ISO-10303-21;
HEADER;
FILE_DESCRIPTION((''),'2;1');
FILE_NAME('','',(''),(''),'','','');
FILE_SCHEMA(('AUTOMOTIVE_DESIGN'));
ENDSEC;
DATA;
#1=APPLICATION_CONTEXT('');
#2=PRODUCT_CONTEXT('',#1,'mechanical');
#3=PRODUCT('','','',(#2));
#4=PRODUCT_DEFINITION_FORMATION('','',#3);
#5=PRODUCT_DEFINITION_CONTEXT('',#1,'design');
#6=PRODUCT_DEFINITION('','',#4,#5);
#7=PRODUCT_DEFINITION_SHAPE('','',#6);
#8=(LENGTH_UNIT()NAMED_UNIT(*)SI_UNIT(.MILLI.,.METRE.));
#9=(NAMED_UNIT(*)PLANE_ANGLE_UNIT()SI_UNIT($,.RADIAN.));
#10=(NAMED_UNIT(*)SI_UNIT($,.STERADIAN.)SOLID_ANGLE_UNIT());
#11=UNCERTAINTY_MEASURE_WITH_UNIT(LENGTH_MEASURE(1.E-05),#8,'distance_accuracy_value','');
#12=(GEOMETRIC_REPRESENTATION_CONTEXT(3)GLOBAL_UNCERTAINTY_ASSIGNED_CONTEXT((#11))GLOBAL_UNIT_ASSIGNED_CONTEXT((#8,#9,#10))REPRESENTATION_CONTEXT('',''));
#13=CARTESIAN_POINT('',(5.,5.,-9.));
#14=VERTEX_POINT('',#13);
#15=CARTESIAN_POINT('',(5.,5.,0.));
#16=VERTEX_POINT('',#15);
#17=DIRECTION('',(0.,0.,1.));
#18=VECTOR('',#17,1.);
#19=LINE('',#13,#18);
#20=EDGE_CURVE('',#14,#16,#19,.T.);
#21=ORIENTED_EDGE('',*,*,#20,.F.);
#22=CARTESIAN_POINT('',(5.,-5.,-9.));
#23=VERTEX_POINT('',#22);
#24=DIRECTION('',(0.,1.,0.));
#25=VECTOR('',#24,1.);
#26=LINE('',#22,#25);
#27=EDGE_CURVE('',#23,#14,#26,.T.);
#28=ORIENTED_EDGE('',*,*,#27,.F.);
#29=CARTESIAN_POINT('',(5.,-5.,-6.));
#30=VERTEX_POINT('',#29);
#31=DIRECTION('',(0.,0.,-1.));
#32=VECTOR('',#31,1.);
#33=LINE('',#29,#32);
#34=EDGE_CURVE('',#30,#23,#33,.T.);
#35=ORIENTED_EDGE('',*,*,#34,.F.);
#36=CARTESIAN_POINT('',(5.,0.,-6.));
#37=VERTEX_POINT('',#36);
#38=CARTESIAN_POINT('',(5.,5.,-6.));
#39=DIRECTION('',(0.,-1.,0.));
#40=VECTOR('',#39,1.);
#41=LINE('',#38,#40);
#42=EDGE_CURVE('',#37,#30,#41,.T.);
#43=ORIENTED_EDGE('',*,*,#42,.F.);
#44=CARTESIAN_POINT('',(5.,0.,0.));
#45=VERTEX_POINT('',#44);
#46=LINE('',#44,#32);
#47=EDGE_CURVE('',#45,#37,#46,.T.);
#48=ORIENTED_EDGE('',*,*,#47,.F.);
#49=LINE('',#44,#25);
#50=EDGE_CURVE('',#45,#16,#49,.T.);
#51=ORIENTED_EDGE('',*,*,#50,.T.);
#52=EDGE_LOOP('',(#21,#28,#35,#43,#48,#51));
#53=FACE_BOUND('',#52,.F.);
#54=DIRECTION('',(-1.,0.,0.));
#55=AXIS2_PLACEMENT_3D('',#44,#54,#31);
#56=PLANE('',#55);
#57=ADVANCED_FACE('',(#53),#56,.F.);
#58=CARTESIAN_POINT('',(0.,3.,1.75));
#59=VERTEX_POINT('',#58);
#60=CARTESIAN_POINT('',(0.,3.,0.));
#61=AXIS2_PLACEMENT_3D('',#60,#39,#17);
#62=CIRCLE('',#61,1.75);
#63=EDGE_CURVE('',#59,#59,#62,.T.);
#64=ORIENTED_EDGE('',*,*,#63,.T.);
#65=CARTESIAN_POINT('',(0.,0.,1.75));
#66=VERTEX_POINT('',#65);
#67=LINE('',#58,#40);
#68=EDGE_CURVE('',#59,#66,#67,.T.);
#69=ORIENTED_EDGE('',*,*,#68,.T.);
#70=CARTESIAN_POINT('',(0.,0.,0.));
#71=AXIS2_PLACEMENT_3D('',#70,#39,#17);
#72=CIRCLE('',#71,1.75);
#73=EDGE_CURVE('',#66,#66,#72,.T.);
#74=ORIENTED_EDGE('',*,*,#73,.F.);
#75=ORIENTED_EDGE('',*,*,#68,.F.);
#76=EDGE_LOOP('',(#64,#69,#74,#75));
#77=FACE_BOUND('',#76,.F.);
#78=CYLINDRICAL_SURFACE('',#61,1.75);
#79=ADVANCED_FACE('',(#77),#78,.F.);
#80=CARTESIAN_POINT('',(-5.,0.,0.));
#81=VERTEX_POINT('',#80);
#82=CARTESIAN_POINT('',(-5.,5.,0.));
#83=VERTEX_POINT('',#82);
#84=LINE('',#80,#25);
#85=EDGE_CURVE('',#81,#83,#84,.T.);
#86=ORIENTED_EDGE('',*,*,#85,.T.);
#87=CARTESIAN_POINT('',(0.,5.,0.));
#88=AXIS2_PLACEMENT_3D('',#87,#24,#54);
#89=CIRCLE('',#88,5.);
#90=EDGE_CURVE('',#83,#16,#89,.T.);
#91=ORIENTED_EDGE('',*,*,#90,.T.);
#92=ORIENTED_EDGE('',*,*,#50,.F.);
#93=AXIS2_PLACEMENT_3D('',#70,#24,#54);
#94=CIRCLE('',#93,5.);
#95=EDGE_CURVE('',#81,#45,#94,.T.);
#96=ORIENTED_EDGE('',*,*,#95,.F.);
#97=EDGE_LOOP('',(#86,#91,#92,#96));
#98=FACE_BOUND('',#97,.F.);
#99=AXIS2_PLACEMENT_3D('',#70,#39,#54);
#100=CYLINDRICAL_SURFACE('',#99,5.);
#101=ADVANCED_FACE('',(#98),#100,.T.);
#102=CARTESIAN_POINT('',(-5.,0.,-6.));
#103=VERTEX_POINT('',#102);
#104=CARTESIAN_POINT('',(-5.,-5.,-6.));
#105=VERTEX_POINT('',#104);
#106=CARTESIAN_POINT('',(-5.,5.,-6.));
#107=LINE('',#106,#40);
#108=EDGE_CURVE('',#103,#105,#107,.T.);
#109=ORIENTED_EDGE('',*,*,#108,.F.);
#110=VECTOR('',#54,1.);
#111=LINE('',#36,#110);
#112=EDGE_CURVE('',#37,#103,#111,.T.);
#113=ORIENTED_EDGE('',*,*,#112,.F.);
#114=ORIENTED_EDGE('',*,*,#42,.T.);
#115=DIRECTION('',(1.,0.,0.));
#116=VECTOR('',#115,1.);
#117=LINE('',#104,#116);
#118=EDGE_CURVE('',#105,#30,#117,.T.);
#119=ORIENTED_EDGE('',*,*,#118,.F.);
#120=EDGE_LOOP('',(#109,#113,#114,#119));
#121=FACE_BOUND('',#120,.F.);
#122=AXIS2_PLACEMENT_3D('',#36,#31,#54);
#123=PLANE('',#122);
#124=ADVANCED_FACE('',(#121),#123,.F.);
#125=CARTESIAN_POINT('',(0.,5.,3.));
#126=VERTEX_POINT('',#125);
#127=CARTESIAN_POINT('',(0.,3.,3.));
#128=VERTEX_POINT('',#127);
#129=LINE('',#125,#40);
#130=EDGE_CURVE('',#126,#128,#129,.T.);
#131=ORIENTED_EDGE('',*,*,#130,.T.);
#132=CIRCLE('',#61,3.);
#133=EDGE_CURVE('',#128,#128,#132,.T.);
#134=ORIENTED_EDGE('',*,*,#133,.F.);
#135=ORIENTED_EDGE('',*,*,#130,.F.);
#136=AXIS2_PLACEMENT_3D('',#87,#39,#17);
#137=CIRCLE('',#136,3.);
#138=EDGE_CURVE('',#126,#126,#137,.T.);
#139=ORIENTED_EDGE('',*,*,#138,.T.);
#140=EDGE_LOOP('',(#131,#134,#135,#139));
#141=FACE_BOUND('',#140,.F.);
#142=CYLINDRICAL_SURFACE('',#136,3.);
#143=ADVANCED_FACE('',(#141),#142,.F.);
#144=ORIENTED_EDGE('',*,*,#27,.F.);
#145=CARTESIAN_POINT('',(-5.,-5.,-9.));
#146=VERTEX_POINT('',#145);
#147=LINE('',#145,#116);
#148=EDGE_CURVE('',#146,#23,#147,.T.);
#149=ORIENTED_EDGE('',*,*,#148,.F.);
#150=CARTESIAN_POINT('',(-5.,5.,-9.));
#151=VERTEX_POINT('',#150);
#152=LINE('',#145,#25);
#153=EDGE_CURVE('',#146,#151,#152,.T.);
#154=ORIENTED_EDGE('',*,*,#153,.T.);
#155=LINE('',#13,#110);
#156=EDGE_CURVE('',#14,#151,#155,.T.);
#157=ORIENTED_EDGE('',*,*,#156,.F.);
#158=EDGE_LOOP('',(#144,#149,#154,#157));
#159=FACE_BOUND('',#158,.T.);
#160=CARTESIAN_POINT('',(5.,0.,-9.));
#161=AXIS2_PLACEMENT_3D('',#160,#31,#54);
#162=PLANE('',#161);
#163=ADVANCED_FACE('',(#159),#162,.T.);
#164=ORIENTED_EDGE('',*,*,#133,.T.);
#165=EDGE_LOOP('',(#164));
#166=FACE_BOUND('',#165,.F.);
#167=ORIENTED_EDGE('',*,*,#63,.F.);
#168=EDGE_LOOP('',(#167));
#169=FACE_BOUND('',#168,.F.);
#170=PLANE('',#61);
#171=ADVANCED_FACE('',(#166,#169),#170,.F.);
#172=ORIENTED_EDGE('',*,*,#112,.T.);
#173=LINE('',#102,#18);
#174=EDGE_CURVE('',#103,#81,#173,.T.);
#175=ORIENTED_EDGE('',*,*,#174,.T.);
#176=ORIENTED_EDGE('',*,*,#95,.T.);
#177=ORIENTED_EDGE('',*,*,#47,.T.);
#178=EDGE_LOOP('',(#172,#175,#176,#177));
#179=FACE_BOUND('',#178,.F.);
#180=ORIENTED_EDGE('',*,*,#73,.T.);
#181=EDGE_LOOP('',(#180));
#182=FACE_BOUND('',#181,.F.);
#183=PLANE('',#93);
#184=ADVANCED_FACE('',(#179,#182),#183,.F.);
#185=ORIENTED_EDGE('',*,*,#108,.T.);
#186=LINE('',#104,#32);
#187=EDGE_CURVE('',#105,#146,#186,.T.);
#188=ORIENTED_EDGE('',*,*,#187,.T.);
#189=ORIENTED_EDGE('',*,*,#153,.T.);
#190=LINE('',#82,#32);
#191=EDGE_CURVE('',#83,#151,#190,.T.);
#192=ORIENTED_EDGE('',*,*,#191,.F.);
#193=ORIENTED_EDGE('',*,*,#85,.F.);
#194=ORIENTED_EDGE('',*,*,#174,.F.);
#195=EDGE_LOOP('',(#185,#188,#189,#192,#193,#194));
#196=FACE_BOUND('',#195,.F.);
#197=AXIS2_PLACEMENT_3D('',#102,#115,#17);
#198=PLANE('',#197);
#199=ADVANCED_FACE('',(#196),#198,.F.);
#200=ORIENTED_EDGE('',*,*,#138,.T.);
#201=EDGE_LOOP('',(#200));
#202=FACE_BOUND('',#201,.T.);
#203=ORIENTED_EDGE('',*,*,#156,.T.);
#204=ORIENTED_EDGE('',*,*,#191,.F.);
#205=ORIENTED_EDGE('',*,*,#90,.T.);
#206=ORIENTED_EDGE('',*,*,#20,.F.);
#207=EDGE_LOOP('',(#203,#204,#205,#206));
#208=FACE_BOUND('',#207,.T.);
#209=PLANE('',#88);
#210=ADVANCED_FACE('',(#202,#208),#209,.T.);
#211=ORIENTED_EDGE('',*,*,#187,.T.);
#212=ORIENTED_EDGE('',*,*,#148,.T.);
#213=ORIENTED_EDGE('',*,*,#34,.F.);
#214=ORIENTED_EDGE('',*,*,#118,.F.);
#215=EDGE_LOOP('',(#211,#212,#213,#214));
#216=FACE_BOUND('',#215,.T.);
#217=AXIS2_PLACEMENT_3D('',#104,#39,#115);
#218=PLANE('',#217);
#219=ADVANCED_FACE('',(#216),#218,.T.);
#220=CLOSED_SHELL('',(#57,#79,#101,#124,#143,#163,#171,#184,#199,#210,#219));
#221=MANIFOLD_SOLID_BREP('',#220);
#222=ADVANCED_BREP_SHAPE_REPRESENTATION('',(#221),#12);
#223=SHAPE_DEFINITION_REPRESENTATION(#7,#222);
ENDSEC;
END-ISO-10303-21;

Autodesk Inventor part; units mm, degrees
ref_plane "YZ Plane" through (0, 0, 0) normal (1, 0, 0) x (0, 1, 0)
ref_plane "XZ Plane" through (0, 0, 0) normal (0, 1, 0) x (-1, 0, 0)
ref_plane "XY Plane" through (0, 0, 0) normal (0, 0, 1) x (1, 0, 0)
sketch "Szkic1" plane through (0, 0, 0) normal (0, 1, 0) x (-1, 0, 0)
  circle A0 centre (0, 0) radius 1.5
  circle A1 centre (0, 0) radius 5
  line L0 (5, 0) -> (-5, 0)
  line L1 (-5, 0) -> (-5, -6)
  line L2 (-5, -6) -> (5, -6)
  line L3 (5, -6) -> (5, 0)
  dimension "d1" = 10
  dimension "d0" = 3
  dimension "d2" = 6
extrude "Wyciągnięcie proste1" add sketch "Szkic1" along normal blind 5
sketch "Szkic2" plane through (5, 0, -6) normal (0, 0, -1) x (-1, 0, 0)
  line L0 (0, 0) -> (10, 0) projected
  line L1 (10, 0) -> (10, 5) projected
  line L2 (0, 5) -> (10, 5) projected
  line L3 (0, 0) -> (0, 5) projected
  line L4 (0, 5) -> (10, 5)
  line L5 (10, 5) -> (10, -5)
  line L6 (10, -5) -> (0, -5)
  line L7 (0, -5) -> (0, 5)
  point P0 (5, 0)
  dimension "d5" = 5
extrude "Wyciągnięcie proste2" add sketch "Szkic2" along normal blind 3
sketch "Szkic3" plane through (0, 5, 0) normal (0, 1, 0) x (1, 0, 0)
  point P0 (0, 0)
  point P1 (0, 0)
hole "Otwór1" at (0, 5, 0) direction (0, -1, 0) diameter 3.5 end through all counterbore diameter 6 counterbore depth 2
properties part number "podpora_lewa"
